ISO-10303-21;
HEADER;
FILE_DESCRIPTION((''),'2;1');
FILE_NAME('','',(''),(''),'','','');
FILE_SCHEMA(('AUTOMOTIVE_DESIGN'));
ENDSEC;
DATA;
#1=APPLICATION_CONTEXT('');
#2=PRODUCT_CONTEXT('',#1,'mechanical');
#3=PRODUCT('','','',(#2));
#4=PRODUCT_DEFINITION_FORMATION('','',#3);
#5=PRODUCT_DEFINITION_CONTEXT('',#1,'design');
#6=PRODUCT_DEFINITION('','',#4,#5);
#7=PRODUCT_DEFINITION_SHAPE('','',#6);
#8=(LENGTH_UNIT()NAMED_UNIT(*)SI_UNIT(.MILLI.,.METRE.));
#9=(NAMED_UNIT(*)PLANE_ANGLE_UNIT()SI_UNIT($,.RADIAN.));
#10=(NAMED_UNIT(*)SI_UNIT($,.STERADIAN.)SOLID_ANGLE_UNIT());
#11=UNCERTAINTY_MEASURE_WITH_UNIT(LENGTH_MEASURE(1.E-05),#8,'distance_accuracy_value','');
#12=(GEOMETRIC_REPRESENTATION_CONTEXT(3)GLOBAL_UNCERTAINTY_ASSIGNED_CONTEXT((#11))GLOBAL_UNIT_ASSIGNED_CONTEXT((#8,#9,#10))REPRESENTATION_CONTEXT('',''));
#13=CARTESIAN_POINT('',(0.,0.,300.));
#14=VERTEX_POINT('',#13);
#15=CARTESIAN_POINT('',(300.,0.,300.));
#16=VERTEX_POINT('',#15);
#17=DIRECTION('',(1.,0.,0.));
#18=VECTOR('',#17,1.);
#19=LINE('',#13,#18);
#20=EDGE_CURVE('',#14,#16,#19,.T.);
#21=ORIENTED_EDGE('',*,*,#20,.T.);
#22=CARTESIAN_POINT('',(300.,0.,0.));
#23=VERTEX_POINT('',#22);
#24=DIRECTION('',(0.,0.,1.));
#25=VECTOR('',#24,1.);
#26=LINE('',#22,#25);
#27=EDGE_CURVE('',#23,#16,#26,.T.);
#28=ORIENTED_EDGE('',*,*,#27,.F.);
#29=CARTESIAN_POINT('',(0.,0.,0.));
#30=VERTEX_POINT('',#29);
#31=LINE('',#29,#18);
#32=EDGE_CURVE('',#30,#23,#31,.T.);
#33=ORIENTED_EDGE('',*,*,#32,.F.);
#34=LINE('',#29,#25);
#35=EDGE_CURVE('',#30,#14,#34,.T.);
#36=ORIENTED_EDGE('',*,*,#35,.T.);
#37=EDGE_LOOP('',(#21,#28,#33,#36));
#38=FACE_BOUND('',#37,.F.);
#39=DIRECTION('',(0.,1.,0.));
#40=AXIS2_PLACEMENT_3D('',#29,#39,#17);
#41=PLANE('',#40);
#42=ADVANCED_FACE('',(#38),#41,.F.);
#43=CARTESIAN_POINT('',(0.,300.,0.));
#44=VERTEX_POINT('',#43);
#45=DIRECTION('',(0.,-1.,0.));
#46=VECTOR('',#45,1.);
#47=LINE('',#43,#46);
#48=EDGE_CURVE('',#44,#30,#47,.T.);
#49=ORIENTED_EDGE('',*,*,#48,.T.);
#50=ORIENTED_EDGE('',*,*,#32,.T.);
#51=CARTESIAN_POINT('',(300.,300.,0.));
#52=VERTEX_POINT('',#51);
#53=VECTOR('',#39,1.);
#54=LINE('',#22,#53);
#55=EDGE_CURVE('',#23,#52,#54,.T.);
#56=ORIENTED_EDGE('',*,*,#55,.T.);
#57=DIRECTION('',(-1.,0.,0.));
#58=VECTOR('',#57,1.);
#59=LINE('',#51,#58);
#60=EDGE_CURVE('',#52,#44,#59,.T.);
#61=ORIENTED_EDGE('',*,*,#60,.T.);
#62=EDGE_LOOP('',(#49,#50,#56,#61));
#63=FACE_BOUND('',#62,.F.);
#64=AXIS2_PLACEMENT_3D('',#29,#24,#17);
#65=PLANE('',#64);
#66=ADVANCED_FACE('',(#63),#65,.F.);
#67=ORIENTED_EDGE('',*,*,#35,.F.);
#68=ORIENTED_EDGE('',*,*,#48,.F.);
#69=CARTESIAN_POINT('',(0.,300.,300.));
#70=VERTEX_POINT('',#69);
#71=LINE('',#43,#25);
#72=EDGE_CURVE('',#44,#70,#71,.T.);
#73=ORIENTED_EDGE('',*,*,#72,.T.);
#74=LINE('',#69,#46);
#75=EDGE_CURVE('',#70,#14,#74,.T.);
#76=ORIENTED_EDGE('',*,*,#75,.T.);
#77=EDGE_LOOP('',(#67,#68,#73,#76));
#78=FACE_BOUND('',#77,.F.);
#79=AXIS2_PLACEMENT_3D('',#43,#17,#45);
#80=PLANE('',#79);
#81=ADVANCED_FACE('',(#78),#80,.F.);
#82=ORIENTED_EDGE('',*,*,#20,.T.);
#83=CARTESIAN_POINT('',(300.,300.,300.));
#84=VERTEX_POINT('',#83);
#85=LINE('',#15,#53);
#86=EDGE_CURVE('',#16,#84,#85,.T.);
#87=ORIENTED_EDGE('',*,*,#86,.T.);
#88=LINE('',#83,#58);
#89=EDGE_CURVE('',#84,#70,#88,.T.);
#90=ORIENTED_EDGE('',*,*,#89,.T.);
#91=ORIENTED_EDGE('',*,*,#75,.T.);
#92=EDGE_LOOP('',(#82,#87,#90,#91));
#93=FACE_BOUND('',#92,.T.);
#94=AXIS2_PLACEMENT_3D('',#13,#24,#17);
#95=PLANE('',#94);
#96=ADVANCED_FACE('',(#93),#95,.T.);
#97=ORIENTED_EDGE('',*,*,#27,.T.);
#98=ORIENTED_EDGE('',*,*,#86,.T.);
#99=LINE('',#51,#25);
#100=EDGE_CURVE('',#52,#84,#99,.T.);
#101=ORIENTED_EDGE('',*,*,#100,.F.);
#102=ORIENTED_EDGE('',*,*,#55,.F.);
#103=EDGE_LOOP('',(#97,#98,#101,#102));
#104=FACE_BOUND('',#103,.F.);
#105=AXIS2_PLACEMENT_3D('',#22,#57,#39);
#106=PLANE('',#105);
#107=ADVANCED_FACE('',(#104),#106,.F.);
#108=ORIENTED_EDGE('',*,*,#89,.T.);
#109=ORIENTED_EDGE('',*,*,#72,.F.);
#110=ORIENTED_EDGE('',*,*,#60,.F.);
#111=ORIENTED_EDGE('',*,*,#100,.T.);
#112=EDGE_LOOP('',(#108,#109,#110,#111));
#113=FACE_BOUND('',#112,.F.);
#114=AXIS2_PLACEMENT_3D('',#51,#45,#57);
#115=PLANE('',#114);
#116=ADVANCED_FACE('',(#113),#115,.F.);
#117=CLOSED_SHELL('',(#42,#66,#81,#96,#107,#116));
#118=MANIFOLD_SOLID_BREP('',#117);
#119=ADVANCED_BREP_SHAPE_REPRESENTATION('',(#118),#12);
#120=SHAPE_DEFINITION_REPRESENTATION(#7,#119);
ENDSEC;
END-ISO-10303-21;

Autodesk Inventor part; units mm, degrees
ref_plane "YZ Plane" through (0, 0, 0) normal (1, 0, 0) x (0, 1, 0)
ref_plane "XZ Plane" through (0, 0, 0) normal (0, 1, 0) x (-1, 0, 0)
ref_plane "XY Plane" through (0, 0, 0) normal (0, 0, 1) x (1, 0, 0)
sketch "Sketch1" plane through (0, 0, 0) normal (0, 0, 1) x (1, 0, 0)
  line L0 (0, 0) -> (300, 0)
  line L1 (300, 0) -> (300, 300)
  line L2 (300, 300) -> (0, 300)
  line L3 (0, 300) -> (0, 0)
  dimension "d0" = 300
  dimension "d1" = 300
extrude "Extrusion1" add sketch "Sketch1" along normal blind 300
properties material "Aluminum 6061, Welded"
